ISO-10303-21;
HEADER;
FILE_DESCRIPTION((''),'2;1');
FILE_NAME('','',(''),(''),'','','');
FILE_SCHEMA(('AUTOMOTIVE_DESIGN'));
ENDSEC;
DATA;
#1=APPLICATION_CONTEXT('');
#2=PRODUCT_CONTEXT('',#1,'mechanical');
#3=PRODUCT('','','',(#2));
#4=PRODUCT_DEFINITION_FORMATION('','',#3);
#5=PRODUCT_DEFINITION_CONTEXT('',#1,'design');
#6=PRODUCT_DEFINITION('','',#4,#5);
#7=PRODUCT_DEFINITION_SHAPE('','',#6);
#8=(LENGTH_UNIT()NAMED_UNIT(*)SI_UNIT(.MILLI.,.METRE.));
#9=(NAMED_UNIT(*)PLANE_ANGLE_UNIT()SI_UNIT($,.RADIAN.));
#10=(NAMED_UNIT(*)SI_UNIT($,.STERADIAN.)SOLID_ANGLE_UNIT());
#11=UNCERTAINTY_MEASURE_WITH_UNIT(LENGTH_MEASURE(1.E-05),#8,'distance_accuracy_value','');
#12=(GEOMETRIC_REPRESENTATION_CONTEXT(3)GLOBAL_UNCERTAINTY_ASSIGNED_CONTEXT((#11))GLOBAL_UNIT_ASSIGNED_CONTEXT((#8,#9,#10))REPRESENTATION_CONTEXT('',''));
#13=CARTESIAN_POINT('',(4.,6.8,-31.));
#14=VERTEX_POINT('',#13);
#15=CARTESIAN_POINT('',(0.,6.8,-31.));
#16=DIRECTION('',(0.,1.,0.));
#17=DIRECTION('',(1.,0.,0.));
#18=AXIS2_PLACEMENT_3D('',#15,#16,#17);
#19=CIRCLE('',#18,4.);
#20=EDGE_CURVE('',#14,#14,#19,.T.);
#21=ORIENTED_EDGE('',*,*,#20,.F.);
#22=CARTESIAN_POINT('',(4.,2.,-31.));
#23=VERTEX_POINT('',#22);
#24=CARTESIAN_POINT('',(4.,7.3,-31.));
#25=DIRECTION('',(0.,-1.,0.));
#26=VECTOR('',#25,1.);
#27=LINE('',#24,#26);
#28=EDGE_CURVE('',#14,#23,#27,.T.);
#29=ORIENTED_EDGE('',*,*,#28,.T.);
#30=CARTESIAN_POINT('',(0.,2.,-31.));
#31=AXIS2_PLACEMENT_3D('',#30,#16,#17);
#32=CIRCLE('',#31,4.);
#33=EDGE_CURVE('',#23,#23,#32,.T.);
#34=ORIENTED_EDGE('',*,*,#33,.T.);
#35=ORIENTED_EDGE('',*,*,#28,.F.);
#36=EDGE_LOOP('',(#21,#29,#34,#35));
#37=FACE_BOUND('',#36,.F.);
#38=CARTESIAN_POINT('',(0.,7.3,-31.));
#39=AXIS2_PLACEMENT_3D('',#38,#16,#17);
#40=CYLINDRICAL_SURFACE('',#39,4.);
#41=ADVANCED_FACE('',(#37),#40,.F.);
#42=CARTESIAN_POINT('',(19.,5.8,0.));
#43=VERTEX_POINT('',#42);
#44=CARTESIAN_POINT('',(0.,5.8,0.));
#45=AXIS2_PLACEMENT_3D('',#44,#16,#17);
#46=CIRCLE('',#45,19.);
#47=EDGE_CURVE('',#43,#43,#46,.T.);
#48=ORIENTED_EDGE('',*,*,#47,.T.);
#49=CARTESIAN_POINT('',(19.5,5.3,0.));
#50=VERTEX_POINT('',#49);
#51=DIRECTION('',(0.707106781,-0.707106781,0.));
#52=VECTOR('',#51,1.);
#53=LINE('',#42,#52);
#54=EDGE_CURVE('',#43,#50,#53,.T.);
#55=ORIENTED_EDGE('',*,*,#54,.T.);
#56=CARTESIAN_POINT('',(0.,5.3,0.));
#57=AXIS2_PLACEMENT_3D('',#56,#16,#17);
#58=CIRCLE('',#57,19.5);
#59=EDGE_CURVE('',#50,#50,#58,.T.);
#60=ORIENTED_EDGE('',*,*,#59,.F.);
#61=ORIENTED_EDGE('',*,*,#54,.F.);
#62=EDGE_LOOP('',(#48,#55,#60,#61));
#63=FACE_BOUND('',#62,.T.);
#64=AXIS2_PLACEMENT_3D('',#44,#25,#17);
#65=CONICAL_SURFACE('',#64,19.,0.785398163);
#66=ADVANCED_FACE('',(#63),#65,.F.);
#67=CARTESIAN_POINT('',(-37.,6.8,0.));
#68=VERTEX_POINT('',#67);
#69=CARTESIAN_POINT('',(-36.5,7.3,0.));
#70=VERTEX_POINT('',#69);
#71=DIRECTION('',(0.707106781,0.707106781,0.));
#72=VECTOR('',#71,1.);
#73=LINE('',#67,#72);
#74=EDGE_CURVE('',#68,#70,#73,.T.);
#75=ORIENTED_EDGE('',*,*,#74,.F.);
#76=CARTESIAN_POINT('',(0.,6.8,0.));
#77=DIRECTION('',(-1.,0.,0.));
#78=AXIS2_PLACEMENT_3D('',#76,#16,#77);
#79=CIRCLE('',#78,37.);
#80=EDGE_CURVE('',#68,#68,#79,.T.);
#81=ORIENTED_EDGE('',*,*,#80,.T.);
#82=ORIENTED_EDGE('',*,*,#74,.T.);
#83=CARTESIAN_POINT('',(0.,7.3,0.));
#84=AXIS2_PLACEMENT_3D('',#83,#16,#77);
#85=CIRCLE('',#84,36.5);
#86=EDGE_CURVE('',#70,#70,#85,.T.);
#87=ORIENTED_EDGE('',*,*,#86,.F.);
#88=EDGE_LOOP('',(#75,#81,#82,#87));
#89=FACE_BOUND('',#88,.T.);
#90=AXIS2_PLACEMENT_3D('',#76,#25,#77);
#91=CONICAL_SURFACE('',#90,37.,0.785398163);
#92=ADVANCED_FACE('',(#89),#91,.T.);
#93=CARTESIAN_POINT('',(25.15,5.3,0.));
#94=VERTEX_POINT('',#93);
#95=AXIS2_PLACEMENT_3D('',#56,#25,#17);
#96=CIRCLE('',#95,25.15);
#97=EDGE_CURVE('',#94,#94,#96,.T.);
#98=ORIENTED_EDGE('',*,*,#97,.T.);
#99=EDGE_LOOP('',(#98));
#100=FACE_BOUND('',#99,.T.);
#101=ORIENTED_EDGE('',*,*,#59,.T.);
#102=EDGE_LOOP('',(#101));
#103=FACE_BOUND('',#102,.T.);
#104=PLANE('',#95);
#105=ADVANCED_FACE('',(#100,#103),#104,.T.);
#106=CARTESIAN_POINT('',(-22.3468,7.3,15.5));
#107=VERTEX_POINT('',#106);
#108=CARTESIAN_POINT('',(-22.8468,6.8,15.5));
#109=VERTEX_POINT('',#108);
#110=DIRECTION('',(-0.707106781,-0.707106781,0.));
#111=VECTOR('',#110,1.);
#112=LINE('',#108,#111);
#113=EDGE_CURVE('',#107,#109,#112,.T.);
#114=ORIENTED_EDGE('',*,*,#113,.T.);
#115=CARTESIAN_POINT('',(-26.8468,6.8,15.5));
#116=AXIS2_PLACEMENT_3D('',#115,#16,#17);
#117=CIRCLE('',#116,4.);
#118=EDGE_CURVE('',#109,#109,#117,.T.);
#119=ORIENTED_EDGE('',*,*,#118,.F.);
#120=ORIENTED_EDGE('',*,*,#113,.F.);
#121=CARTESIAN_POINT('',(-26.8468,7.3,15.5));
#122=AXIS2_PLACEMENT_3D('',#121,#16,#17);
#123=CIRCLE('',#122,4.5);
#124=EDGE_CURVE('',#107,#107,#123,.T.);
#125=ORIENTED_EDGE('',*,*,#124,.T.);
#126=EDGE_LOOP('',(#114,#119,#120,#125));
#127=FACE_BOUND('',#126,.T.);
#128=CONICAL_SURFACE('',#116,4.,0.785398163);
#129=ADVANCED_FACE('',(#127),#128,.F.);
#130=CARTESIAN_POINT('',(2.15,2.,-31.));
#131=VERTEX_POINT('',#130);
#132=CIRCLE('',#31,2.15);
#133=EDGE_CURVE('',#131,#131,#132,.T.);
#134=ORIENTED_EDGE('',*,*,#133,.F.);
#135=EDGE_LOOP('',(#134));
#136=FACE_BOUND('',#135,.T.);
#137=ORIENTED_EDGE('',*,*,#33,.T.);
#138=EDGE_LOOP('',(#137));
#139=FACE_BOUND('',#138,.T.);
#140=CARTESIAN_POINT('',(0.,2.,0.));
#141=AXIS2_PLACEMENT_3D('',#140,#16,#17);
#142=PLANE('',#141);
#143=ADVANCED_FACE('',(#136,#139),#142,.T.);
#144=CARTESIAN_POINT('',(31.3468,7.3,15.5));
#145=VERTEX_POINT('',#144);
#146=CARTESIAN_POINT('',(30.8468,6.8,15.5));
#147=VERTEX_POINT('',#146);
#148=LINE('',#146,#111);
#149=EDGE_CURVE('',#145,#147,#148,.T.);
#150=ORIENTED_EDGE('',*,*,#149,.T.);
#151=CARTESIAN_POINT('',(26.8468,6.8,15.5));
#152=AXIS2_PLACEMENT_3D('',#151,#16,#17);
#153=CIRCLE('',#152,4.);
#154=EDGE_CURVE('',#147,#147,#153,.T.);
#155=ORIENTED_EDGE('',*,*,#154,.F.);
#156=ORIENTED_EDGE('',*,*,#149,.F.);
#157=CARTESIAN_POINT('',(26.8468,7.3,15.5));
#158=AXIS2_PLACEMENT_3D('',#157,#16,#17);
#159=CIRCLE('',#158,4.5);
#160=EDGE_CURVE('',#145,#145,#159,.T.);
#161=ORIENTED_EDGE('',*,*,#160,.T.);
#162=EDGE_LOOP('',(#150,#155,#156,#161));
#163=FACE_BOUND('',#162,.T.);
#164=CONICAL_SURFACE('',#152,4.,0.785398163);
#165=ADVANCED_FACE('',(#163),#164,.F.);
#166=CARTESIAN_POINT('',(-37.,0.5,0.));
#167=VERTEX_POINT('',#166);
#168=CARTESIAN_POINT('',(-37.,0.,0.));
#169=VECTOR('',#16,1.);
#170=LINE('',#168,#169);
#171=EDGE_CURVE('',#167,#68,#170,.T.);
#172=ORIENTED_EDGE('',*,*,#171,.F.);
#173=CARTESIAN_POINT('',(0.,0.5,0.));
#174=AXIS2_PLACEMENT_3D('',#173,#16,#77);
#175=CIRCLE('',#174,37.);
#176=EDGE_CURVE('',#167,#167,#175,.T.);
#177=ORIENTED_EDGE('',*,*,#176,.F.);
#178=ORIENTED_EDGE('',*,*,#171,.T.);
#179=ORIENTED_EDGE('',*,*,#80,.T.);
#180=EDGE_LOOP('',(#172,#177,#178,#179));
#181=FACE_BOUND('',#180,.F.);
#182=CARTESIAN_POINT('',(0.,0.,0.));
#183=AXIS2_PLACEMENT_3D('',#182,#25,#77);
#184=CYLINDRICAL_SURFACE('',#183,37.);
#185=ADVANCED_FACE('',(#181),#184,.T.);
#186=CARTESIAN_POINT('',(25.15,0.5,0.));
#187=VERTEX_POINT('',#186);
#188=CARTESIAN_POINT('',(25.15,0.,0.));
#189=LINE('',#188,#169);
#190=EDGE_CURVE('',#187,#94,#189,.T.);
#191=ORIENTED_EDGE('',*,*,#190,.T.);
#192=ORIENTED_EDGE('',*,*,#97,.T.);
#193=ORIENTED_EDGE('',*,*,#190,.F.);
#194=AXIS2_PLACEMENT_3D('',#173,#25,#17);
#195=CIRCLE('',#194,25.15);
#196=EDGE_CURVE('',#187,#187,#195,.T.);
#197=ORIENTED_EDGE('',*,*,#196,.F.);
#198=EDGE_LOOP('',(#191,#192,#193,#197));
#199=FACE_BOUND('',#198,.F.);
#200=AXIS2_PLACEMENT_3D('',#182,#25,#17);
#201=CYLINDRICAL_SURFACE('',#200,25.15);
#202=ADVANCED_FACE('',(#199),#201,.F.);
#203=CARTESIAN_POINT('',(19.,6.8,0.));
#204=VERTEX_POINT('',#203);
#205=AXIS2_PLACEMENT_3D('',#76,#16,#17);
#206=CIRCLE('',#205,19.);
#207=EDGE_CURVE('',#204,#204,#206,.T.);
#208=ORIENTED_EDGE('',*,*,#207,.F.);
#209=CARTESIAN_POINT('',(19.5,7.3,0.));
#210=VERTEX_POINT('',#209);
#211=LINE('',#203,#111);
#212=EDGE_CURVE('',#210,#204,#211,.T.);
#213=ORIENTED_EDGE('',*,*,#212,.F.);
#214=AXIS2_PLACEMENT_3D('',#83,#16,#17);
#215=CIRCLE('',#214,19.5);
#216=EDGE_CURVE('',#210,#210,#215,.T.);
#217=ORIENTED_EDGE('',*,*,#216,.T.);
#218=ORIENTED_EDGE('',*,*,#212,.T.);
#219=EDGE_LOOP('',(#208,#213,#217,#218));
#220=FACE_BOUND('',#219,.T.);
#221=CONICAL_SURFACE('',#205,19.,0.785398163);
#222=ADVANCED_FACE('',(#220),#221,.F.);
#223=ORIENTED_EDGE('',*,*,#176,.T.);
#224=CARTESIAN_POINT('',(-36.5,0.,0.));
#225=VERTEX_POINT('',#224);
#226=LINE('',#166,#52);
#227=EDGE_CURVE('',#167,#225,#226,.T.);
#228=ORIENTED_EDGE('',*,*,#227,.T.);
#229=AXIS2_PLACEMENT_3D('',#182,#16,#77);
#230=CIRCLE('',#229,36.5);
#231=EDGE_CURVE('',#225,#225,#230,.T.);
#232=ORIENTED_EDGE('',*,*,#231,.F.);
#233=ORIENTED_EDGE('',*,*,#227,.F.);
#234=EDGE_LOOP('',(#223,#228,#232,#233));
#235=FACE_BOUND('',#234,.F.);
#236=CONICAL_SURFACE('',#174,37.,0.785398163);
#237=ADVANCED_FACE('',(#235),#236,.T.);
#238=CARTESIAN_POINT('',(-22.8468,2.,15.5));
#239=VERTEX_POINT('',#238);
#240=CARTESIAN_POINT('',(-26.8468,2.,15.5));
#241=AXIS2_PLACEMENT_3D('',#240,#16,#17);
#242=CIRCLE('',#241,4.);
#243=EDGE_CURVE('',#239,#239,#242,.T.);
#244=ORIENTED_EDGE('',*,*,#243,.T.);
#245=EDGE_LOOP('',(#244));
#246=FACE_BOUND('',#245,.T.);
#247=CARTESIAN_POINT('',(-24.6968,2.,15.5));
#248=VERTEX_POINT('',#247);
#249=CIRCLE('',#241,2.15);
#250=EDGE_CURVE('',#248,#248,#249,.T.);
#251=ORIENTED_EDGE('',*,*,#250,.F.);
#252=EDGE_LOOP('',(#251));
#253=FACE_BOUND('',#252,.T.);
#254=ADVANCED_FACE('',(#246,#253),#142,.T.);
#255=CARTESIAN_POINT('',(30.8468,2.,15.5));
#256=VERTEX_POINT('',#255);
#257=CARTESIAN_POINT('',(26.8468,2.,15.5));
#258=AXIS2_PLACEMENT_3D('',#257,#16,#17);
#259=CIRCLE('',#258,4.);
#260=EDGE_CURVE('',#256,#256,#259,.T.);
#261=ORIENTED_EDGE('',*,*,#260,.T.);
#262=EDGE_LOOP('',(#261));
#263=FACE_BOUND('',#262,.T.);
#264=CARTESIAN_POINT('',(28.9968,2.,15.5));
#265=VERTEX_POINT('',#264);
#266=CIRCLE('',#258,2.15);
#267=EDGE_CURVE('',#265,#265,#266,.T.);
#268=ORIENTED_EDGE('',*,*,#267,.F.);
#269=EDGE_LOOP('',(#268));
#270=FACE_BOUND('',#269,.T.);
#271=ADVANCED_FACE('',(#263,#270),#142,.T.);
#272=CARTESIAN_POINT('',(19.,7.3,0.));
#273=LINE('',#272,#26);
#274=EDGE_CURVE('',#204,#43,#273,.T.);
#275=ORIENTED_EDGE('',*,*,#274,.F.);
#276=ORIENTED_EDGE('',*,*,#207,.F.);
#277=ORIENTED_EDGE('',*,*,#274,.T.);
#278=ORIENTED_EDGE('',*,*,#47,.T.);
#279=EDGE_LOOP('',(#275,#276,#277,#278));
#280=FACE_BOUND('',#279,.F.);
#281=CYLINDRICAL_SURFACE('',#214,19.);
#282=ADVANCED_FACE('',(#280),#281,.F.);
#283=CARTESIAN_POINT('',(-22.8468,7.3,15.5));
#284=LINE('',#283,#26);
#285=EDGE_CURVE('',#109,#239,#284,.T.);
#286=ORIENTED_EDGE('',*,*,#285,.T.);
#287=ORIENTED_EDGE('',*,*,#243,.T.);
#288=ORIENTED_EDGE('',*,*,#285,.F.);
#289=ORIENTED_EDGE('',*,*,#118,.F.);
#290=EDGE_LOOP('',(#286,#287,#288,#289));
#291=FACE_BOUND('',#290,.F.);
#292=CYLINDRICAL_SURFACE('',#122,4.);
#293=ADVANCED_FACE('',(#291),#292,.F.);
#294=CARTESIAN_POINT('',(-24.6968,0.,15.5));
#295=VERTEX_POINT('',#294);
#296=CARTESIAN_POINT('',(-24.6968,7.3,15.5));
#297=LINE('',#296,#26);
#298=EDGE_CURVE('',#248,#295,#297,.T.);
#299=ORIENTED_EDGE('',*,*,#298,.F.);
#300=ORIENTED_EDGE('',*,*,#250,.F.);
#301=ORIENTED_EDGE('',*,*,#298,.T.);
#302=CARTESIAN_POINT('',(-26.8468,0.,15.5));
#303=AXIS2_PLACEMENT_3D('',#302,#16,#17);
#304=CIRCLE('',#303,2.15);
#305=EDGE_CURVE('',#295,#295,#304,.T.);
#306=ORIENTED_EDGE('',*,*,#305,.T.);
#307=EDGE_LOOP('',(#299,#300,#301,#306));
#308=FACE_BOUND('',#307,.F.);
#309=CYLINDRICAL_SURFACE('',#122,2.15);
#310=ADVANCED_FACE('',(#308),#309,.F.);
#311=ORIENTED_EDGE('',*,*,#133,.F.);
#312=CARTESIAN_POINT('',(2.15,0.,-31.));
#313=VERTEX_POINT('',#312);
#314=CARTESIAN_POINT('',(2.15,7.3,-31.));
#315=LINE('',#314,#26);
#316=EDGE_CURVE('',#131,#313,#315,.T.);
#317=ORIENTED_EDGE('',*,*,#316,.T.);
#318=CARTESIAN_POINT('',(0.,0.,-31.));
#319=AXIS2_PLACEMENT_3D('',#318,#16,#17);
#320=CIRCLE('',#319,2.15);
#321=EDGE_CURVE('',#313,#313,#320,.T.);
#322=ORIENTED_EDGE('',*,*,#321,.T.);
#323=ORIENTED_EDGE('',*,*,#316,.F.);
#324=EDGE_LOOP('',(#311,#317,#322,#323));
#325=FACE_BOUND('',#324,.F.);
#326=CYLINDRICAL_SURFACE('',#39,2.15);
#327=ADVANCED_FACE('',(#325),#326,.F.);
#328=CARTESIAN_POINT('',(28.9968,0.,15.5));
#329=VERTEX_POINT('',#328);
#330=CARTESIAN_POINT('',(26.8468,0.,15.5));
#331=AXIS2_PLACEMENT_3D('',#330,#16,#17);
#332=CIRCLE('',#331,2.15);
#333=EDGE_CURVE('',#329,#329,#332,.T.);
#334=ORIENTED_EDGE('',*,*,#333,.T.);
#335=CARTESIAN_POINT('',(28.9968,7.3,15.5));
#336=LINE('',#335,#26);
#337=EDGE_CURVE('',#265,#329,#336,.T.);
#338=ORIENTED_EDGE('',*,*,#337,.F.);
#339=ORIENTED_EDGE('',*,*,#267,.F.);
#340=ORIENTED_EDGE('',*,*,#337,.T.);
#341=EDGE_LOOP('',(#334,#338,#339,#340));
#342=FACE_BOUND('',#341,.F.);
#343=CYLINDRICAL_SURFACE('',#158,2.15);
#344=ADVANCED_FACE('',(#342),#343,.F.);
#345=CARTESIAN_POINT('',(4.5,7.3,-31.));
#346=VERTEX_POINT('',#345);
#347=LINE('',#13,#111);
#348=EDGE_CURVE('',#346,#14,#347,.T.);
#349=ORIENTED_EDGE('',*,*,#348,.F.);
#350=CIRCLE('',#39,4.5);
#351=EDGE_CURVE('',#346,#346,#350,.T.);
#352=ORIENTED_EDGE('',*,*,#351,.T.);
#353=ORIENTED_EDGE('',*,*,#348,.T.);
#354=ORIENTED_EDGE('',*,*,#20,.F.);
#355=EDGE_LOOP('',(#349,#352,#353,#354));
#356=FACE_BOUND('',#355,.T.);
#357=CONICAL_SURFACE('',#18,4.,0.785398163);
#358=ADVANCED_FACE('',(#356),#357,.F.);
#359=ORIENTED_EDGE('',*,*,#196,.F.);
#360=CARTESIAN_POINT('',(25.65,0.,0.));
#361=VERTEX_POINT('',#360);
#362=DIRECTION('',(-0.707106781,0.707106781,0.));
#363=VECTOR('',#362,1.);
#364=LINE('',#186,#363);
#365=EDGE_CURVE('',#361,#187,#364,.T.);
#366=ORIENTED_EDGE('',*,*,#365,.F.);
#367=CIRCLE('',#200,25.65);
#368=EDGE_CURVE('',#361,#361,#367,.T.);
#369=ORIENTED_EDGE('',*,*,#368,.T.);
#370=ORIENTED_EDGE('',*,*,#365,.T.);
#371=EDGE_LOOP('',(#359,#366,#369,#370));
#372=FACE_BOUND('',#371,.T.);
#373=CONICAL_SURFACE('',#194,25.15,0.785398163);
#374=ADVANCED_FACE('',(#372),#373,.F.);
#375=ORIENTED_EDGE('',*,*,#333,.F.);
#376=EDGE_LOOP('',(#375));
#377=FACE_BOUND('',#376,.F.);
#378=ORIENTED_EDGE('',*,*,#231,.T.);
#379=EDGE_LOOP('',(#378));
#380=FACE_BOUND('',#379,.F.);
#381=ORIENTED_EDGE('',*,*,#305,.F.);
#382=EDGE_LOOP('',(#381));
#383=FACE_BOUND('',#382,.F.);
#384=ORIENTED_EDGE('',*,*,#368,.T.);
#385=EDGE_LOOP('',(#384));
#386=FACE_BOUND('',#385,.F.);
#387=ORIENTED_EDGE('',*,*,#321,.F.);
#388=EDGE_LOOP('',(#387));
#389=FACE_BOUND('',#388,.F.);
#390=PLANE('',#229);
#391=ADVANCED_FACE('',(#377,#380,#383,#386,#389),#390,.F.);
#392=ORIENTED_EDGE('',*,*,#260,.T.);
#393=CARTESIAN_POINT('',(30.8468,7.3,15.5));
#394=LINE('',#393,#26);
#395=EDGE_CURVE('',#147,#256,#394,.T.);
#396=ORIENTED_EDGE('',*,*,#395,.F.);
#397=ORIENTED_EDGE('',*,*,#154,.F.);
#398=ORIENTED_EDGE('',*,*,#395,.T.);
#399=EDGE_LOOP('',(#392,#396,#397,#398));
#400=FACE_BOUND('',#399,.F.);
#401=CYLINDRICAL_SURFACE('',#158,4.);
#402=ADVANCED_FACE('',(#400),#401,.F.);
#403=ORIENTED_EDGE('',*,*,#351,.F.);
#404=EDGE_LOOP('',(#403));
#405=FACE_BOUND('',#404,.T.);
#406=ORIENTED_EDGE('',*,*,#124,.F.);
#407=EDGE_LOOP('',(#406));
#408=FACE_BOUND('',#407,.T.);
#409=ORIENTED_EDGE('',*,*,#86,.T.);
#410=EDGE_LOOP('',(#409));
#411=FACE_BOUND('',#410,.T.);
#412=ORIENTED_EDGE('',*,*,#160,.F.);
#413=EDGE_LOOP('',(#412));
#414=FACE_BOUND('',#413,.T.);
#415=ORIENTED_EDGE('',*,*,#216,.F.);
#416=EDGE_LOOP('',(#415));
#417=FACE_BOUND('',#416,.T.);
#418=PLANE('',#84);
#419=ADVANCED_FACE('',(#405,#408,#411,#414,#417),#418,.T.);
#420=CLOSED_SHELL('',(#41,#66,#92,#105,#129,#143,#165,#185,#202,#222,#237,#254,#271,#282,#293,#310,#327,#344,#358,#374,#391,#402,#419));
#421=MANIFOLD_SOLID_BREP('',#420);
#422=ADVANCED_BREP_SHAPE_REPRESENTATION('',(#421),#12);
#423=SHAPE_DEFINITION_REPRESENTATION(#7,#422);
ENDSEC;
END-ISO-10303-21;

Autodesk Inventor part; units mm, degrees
ref_plane "YZ Plane" through (0, 0, 0) normal (1, 0, 0) x (0, 1, 0)
ref_plane "XZ Plane" through (0, 0, 0) normal (0, 1, 0) x (-1, 0, 0)
ref_plane "XY Plane" through (0, 0, 0) normal (0, 0, 1) x (1, 0, 0)
sketch "スケッチ1" plane through (0, 0, 0) normal (0, 1, 0) x (-1, 0, 0)
  circle A0 centre (0, 0) radius 37
  dimension "d0" = 74
extrude "押し出し1" add sketch "スケッチ1" along normal blind 7.3
sketch "スケッチ2" plane through (0, 7.3, 0) normal (0, 1, 0) x (1, 0, 0)
  circle A0 centre (0, 0) radius 19
  dimension "d3" = 38
extrude "押し出し2" cut sketch "スケッチ2" against normal through all
sketch "スケッチ3" plane through (0, 0, 0) normal (0, -1, 0) x (1, 0, 0)
  circle A0 centre (0, 0) radius 25.15
  dimension "d6" = 50.3
extrude "押し出し3" cut sketch "スケッチ3" against normal blind 5.3
sketch "スケッチ6" plane through (0, 7.3, 0) normal (0, 1, 0) x (1, 0, 0)
  circle A0 centre (0, 31) radius 2.15
  circle A1 centre (-26.8468, -15.5) radius 2.15
  circle A2 centre (26.8468, -15.5) radius 2.15
  point P0 (0, 0)
  dimension "d21" = 4.3
  dimension "d22" = 31
  dimension "d25" = 360
extrude "押し出し6" cut sketch "スケッチ6" against normal through all
sketch "スケッチ7" plane through (0, 7.3, 0) normal (0, 1, 0) x (1, 0, 0)
  circle A0 centre (0, 31) radius 2.15 projected
  circle A1 centre (0, 31) radius 4
  circle A2 centre (-26.8468, -15.5) radius 4
  circle A3 centre (26.8468, -15.5) radius 4
  point P0 (0, 0)
  dimension "d29" = 8
  dimension "d32" = 360
extrude "押し出し7" cut sketch "スケッチ7" against normal blind 5.3 contours A0 | A1 | A2 | A3
chamfer "面取り1" distance 0.5 angle 45 8 edges at (37, 7.3, 0) (37, 0, 0) (-25.15, 0, 0) (-19, 7.3, 0) (-19, 5.3, 0) (22.8468, 7.3, 15.5) (-30.8468, 7.3, 15.5) (-4, 7.3, -31)
properties part number "clamp_for_bearing" material "ステンレス鋼"
